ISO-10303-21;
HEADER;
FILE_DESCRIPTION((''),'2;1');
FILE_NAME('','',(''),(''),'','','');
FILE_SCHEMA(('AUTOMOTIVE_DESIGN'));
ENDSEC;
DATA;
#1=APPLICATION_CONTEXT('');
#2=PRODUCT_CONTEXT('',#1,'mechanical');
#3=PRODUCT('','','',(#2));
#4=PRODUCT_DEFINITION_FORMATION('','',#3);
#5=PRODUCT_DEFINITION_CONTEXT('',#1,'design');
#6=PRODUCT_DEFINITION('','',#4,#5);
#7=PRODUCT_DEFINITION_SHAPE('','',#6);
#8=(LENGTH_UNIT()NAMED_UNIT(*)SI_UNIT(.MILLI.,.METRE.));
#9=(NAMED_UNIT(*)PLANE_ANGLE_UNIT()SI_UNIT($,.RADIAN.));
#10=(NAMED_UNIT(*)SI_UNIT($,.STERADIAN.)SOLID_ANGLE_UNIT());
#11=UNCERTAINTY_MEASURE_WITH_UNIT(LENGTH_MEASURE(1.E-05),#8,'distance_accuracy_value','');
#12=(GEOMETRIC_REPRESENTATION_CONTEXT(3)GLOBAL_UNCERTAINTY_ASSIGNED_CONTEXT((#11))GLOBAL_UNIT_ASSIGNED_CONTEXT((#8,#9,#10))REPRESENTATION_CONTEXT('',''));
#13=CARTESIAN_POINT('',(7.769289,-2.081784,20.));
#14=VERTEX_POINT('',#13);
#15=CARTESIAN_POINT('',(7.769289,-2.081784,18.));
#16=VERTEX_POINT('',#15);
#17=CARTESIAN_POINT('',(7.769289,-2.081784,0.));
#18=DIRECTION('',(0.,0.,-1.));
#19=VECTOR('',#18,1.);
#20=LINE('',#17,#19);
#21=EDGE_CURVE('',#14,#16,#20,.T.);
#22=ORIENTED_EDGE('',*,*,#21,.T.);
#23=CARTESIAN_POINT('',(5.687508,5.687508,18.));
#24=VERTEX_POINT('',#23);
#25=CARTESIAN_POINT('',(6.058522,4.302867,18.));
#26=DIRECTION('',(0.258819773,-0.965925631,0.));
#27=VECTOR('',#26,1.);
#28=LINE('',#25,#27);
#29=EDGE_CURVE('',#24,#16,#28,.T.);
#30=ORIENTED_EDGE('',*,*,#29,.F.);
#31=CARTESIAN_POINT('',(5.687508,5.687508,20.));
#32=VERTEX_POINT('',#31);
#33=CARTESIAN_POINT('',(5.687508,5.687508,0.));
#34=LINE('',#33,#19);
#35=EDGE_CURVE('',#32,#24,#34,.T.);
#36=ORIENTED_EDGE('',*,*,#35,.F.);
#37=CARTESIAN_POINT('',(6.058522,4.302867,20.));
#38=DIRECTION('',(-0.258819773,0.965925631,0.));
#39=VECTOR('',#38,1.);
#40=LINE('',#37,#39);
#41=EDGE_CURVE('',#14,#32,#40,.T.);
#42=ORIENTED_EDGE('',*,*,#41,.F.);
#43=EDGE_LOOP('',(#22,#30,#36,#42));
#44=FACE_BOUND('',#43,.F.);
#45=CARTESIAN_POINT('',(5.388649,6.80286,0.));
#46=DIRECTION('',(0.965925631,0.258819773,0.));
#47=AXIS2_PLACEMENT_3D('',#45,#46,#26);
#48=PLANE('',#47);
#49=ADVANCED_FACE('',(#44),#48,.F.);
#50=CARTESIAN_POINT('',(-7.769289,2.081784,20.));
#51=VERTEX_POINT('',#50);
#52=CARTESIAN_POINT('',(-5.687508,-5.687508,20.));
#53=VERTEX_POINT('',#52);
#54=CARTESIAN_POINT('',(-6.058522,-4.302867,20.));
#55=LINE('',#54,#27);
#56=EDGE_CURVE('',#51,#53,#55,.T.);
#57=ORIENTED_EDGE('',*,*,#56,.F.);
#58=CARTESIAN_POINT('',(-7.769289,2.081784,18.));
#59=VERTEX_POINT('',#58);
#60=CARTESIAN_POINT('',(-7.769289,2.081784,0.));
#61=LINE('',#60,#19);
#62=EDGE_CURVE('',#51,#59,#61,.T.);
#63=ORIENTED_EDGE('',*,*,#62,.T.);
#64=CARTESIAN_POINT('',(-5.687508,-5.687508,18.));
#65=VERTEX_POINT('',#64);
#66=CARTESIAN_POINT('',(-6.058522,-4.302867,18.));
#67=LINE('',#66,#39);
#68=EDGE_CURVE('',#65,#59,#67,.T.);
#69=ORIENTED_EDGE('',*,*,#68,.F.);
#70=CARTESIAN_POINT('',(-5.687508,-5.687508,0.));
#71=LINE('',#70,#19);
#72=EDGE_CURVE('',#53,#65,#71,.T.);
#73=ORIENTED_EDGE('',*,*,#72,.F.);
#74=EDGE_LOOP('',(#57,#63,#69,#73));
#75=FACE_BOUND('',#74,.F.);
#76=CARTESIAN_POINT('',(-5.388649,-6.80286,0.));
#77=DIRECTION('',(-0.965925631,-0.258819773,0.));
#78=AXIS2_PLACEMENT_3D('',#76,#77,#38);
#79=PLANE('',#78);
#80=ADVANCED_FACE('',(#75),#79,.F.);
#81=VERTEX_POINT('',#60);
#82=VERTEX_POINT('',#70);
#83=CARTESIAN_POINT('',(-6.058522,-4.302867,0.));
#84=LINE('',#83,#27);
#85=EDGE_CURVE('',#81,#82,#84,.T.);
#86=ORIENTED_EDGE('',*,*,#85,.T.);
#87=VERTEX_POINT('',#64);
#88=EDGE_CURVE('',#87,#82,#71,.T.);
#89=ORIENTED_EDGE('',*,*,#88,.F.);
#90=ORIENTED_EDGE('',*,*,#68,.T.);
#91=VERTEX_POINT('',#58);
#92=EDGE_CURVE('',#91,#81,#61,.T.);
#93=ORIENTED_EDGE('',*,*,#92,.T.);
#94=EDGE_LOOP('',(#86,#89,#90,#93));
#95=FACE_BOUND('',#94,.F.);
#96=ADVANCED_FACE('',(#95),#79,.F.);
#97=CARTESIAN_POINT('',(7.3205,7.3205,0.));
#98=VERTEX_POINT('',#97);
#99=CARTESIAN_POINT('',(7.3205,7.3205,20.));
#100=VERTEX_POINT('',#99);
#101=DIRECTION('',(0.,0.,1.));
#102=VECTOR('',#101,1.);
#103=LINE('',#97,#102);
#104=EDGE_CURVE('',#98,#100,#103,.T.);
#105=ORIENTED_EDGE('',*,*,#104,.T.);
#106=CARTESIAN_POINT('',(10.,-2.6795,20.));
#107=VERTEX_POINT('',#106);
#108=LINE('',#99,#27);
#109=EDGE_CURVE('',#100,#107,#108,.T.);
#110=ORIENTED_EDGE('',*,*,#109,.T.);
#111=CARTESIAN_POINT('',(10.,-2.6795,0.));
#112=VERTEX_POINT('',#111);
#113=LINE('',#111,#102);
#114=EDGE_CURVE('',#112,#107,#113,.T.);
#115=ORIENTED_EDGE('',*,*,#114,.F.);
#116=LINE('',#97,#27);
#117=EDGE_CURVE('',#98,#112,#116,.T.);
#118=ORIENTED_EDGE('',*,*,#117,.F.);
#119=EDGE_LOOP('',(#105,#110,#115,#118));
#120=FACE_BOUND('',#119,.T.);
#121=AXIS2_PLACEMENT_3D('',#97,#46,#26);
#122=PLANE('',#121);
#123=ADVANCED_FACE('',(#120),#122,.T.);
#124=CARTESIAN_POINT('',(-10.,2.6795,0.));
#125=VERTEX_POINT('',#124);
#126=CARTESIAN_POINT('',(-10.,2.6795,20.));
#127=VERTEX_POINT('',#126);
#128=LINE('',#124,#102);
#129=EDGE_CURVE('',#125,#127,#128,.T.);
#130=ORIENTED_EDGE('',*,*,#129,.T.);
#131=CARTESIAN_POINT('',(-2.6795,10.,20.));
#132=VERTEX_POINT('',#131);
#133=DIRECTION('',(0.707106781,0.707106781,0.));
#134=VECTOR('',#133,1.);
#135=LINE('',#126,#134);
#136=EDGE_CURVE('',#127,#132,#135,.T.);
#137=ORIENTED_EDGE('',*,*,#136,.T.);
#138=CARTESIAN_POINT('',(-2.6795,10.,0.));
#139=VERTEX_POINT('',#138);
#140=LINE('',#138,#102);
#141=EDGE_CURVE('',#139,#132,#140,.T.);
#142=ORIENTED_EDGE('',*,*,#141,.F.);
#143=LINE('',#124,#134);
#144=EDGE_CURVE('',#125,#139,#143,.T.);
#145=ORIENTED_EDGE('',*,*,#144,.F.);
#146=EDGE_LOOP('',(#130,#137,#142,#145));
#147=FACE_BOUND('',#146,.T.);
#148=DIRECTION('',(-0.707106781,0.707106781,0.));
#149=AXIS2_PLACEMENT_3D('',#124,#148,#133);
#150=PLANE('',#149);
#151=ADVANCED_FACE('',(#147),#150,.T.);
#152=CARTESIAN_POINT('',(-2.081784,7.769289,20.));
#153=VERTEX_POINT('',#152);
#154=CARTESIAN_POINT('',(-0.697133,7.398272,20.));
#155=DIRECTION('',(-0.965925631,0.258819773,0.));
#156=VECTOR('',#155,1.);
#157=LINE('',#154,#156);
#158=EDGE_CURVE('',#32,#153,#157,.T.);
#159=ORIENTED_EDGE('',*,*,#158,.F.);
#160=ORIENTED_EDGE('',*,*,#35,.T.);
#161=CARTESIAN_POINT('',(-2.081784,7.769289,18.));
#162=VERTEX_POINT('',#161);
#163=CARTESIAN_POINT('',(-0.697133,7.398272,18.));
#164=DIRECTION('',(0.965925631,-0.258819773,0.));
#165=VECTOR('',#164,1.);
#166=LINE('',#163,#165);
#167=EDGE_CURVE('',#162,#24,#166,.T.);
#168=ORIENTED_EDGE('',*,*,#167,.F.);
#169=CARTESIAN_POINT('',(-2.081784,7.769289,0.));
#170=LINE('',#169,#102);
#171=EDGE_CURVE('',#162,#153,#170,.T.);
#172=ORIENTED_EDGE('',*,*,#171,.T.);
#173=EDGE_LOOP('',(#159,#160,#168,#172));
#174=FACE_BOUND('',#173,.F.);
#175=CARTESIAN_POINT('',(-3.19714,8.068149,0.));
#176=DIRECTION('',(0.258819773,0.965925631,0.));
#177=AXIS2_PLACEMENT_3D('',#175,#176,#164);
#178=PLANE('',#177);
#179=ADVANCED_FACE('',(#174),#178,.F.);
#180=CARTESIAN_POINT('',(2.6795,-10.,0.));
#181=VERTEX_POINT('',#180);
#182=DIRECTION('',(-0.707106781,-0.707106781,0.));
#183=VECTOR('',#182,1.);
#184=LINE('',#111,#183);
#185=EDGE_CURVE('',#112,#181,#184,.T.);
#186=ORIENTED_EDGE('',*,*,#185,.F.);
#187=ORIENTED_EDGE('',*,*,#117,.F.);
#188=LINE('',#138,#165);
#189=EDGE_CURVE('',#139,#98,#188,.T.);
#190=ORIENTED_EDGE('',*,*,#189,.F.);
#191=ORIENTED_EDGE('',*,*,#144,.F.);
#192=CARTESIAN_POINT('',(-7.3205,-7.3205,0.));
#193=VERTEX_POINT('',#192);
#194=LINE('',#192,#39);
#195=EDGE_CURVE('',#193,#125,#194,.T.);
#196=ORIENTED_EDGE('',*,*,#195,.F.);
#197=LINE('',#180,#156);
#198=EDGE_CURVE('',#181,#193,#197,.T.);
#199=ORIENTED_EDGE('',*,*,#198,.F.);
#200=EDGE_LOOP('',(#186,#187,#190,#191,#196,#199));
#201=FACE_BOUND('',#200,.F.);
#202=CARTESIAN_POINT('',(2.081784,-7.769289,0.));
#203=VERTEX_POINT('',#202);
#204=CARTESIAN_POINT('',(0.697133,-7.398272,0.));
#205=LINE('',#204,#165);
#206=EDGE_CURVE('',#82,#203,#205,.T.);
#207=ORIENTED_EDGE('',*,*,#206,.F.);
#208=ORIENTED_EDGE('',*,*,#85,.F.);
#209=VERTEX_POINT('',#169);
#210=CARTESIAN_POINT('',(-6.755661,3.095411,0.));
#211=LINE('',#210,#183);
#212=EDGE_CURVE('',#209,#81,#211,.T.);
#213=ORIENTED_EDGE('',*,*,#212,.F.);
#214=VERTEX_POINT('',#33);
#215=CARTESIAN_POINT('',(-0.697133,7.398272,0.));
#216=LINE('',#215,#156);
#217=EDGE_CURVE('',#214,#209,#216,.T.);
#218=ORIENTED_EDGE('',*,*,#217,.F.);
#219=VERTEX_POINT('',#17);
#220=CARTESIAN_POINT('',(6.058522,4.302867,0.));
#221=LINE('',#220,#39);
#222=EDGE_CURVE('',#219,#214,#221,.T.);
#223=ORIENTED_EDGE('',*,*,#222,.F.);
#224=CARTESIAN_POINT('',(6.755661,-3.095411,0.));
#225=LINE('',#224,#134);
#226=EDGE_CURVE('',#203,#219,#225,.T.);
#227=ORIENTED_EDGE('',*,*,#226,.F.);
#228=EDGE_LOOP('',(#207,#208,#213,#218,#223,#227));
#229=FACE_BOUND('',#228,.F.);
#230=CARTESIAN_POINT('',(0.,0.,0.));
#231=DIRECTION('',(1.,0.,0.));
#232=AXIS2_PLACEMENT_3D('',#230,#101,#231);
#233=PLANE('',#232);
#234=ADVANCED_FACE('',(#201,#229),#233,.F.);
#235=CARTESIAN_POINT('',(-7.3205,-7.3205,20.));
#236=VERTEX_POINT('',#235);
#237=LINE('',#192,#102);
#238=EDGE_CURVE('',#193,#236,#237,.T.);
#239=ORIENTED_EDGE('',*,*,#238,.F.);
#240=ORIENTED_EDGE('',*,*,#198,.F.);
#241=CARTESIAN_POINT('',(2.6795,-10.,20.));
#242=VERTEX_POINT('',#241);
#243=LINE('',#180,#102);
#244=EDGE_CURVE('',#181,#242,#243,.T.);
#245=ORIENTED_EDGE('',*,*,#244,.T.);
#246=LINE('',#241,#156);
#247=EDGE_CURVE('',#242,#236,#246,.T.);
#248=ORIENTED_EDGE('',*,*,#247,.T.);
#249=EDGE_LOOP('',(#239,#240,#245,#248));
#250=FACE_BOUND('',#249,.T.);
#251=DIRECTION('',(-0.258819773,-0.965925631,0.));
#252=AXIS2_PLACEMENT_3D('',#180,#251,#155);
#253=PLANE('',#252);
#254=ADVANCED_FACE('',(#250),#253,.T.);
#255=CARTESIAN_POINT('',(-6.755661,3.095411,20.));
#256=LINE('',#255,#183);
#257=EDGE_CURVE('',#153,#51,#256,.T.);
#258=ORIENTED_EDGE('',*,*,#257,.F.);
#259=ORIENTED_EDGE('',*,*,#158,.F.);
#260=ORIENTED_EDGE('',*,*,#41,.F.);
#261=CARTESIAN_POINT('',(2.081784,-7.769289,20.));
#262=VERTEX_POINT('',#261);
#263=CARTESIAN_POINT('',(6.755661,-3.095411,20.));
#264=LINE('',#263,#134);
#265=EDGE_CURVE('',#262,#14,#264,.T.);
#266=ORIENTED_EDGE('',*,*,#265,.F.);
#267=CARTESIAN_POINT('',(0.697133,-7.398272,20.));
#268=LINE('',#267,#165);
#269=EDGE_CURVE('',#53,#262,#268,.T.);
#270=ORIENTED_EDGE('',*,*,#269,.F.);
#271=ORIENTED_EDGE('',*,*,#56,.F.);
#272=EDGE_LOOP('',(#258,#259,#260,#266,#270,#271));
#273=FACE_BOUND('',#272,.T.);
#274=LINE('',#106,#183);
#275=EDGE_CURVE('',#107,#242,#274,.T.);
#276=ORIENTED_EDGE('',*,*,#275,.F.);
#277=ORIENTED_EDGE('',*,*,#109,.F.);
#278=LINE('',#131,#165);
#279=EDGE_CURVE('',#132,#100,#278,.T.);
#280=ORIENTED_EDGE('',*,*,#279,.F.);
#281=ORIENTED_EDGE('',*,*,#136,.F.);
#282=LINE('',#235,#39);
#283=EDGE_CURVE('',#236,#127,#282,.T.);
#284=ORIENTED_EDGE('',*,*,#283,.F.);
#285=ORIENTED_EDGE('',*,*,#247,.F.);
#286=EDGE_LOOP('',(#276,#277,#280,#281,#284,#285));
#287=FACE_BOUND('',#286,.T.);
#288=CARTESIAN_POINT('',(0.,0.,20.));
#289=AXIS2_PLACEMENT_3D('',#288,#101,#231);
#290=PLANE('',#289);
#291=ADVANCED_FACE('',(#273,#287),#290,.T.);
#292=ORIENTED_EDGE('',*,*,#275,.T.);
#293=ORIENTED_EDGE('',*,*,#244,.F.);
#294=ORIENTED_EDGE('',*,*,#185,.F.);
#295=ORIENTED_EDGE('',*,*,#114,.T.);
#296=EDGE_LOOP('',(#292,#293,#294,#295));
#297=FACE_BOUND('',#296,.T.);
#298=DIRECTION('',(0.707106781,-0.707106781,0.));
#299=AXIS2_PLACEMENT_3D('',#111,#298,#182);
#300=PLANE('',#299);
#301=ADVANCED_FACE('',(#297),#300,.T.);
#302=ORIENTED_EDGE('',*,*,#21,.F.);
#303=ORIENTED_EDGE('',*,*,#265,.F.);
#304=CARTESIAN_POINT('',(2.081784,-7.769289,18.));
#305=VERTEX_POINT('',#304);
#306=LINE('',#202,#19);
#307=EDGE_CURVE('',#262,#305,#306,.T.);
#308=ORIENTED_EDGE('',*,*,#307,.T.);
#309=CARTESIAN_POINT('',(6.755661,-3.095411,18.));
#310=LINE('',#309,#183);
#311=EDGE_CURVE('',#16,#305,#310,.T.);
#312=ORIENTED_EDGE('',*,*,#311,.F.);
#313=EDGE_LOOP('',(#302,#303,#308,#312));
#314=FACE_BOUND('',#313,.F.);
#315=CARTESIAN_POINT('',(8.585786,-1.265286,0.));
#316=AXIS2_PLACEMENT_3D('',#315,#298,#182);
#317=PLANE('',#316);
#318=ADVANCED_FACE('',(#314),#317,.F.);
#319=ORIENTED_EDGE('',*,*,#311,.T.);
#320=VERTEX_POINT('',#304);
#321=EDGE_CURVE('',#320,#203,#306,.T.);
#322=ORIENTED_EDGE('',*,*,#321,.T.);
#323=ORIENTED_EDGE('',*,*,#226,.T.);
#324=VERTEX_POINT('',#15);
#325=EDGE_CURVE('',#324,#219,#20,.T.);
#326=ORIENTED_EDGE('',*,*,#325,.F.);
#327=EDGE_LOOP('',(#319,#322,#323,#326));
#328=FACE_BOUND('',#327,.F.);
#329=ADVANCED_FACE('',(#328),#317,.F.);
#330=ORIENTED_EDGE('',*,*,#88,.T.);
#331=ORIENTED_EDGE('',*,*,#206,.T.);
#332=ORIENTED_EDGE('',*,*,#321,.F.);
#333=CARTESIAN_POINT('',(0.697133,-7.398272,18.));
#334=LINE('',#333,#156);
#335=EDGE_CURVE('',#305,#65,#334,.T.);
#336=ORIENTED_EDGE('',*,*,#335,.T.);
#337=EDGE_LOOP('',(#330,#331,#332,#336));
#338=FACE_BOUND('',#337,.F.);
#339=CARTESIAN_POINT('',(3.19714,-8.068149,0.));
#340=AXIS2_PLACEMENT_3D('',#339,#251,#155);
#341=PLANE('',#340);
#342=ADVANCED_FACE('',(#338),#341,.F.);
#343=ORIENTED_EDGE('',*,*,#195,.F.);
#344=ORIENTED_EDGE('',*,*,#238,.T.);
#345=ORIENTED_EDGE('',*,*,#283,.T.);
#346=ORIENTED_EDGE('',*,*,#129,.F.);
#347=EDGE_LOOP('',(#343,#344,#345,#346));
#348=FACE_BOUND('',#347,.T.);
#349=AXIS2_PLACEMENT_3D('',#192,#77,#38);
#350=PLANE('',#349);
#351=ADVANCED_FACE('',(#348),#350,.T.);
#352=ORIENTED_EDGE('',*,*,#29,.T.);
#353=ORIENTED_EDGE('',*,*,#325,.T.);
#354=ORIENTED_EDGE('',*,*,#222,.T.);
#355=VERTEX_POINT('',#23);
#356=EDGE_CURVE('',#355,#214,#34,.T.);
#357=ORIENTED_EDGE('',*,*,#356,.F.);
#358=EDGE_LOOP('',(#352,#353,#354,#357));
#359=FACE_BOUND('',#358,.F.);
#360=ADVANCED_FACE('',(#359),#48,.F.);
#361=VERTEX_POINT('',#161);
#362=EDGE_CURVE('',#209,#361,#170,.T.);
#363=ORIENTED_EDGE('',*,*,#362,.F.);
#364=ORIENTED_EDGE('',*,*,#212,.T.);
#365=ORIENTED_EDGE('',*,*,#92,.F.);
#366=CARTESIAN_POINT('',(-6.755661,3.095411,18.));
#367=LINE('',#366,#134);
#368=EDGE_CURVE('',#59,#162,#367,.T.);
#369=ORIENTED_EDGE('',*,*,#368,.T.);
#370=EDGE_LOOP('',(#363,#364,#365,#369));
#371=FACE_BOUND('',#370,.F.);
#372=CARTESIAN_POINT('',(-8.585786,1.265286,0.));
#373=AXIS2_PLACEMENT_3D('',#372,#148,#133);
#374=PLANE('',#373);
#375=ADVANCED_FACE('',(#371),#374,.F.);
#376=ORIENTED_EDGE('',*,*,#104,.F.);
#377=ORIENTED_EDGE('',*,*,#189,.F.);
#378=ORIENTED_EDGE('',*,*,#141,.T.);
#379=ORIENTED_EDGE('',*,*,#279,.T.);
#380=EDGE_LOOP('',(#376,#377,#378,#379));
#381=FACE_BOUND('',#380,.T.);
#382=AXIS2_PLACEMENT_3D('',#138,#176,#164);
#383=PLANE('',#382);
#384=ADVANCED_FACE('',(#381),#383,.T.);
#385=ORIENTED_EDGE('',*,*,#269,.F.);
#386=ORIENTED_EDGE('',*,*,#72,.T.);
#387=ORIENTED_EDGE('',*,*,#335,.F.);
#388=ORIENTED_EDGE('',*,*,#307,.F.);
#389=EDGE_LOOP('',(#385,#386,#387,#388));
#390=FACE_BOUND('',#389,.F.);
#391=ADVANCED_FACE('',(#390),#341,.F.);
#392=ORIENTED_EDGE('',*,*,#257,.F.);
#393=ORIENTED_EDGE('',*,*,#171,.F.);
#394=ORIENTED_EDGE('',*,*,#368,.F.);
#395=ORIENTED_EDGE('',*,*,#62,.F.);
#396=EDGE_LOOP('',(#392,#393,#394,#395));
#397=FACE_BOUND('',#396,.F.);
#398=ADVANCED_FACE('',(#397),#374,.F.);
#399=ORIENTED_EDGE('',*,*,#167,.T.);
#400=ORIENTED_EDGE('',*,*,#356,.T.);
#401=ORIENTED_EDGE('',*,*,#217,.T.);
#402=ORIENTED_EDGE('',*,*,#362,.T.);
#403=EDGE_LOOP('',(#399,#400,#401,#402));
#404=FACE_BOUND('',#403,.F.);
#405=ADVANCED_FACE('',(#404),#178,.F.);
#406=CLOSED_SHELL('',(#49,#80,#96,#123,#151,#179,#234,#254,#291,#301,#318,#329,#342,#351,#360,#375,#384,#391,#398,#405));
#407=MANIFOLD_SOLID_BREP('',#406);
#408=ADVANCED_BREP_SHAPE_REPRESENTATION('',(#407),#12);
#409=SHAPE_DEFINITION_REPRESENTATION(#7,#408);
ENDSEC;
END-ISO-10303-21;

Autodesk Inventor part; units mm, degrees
ref_plane "YZ Plane" through (0, 0, 0) normal (1, 0, 0) x (0, 1, 0)
ref_plane "XZ Plane" through (0, 0, 0) normal (0, 1, 0) x (-1, 0, 0)
ref_plane "XY Plane" through (0, 0, 0) normal (0, 0, 1) x (1, 0, 0)
sketch "Sketch1" plane through (0, 0, 0) normal (0, 0, 1) x (1, 0, 0)
  line L0 (-2.6795, 10) -> (7.3205, 7.3205)
  line L1 (7.3205, 7.3205) -> (10, -2.6795)
  line L2 (10, -2.6795) -> (2.6795, -10)
  line L3 (2.6795, -10) -> (-7.3205, -7.3205)
  line L4 (-7.3205, -7.3205) -> (-10, 2.6795)
  line L5 (-10, 2.6795) -> (-2.6795, 10)
  point P0 (0, 0)
  point P1 (0, 0)
  dimension "d0" = 10
  dimension "d2" = 10
extrude "Extrusion1" add sketch "Sketch1" along normal blind 20
shell "Shell1" thickness 2 removed faces 1 at (-3.3333, 0.8932, 20)
shell "Shell2" thickness 2 removed faces 8 at (-3.3333, 0.8932, 0) at (-5.8735, 3.9776, 14) at (0.508, 7.0754, 8) at (6.3814, 3.0978, 14) at (5.8735, -3.9776, 14) at (-0.508, -7.0754, 14) at (-7.0754, -0.508, 8) at (1.8958, 1.8958, 2)
